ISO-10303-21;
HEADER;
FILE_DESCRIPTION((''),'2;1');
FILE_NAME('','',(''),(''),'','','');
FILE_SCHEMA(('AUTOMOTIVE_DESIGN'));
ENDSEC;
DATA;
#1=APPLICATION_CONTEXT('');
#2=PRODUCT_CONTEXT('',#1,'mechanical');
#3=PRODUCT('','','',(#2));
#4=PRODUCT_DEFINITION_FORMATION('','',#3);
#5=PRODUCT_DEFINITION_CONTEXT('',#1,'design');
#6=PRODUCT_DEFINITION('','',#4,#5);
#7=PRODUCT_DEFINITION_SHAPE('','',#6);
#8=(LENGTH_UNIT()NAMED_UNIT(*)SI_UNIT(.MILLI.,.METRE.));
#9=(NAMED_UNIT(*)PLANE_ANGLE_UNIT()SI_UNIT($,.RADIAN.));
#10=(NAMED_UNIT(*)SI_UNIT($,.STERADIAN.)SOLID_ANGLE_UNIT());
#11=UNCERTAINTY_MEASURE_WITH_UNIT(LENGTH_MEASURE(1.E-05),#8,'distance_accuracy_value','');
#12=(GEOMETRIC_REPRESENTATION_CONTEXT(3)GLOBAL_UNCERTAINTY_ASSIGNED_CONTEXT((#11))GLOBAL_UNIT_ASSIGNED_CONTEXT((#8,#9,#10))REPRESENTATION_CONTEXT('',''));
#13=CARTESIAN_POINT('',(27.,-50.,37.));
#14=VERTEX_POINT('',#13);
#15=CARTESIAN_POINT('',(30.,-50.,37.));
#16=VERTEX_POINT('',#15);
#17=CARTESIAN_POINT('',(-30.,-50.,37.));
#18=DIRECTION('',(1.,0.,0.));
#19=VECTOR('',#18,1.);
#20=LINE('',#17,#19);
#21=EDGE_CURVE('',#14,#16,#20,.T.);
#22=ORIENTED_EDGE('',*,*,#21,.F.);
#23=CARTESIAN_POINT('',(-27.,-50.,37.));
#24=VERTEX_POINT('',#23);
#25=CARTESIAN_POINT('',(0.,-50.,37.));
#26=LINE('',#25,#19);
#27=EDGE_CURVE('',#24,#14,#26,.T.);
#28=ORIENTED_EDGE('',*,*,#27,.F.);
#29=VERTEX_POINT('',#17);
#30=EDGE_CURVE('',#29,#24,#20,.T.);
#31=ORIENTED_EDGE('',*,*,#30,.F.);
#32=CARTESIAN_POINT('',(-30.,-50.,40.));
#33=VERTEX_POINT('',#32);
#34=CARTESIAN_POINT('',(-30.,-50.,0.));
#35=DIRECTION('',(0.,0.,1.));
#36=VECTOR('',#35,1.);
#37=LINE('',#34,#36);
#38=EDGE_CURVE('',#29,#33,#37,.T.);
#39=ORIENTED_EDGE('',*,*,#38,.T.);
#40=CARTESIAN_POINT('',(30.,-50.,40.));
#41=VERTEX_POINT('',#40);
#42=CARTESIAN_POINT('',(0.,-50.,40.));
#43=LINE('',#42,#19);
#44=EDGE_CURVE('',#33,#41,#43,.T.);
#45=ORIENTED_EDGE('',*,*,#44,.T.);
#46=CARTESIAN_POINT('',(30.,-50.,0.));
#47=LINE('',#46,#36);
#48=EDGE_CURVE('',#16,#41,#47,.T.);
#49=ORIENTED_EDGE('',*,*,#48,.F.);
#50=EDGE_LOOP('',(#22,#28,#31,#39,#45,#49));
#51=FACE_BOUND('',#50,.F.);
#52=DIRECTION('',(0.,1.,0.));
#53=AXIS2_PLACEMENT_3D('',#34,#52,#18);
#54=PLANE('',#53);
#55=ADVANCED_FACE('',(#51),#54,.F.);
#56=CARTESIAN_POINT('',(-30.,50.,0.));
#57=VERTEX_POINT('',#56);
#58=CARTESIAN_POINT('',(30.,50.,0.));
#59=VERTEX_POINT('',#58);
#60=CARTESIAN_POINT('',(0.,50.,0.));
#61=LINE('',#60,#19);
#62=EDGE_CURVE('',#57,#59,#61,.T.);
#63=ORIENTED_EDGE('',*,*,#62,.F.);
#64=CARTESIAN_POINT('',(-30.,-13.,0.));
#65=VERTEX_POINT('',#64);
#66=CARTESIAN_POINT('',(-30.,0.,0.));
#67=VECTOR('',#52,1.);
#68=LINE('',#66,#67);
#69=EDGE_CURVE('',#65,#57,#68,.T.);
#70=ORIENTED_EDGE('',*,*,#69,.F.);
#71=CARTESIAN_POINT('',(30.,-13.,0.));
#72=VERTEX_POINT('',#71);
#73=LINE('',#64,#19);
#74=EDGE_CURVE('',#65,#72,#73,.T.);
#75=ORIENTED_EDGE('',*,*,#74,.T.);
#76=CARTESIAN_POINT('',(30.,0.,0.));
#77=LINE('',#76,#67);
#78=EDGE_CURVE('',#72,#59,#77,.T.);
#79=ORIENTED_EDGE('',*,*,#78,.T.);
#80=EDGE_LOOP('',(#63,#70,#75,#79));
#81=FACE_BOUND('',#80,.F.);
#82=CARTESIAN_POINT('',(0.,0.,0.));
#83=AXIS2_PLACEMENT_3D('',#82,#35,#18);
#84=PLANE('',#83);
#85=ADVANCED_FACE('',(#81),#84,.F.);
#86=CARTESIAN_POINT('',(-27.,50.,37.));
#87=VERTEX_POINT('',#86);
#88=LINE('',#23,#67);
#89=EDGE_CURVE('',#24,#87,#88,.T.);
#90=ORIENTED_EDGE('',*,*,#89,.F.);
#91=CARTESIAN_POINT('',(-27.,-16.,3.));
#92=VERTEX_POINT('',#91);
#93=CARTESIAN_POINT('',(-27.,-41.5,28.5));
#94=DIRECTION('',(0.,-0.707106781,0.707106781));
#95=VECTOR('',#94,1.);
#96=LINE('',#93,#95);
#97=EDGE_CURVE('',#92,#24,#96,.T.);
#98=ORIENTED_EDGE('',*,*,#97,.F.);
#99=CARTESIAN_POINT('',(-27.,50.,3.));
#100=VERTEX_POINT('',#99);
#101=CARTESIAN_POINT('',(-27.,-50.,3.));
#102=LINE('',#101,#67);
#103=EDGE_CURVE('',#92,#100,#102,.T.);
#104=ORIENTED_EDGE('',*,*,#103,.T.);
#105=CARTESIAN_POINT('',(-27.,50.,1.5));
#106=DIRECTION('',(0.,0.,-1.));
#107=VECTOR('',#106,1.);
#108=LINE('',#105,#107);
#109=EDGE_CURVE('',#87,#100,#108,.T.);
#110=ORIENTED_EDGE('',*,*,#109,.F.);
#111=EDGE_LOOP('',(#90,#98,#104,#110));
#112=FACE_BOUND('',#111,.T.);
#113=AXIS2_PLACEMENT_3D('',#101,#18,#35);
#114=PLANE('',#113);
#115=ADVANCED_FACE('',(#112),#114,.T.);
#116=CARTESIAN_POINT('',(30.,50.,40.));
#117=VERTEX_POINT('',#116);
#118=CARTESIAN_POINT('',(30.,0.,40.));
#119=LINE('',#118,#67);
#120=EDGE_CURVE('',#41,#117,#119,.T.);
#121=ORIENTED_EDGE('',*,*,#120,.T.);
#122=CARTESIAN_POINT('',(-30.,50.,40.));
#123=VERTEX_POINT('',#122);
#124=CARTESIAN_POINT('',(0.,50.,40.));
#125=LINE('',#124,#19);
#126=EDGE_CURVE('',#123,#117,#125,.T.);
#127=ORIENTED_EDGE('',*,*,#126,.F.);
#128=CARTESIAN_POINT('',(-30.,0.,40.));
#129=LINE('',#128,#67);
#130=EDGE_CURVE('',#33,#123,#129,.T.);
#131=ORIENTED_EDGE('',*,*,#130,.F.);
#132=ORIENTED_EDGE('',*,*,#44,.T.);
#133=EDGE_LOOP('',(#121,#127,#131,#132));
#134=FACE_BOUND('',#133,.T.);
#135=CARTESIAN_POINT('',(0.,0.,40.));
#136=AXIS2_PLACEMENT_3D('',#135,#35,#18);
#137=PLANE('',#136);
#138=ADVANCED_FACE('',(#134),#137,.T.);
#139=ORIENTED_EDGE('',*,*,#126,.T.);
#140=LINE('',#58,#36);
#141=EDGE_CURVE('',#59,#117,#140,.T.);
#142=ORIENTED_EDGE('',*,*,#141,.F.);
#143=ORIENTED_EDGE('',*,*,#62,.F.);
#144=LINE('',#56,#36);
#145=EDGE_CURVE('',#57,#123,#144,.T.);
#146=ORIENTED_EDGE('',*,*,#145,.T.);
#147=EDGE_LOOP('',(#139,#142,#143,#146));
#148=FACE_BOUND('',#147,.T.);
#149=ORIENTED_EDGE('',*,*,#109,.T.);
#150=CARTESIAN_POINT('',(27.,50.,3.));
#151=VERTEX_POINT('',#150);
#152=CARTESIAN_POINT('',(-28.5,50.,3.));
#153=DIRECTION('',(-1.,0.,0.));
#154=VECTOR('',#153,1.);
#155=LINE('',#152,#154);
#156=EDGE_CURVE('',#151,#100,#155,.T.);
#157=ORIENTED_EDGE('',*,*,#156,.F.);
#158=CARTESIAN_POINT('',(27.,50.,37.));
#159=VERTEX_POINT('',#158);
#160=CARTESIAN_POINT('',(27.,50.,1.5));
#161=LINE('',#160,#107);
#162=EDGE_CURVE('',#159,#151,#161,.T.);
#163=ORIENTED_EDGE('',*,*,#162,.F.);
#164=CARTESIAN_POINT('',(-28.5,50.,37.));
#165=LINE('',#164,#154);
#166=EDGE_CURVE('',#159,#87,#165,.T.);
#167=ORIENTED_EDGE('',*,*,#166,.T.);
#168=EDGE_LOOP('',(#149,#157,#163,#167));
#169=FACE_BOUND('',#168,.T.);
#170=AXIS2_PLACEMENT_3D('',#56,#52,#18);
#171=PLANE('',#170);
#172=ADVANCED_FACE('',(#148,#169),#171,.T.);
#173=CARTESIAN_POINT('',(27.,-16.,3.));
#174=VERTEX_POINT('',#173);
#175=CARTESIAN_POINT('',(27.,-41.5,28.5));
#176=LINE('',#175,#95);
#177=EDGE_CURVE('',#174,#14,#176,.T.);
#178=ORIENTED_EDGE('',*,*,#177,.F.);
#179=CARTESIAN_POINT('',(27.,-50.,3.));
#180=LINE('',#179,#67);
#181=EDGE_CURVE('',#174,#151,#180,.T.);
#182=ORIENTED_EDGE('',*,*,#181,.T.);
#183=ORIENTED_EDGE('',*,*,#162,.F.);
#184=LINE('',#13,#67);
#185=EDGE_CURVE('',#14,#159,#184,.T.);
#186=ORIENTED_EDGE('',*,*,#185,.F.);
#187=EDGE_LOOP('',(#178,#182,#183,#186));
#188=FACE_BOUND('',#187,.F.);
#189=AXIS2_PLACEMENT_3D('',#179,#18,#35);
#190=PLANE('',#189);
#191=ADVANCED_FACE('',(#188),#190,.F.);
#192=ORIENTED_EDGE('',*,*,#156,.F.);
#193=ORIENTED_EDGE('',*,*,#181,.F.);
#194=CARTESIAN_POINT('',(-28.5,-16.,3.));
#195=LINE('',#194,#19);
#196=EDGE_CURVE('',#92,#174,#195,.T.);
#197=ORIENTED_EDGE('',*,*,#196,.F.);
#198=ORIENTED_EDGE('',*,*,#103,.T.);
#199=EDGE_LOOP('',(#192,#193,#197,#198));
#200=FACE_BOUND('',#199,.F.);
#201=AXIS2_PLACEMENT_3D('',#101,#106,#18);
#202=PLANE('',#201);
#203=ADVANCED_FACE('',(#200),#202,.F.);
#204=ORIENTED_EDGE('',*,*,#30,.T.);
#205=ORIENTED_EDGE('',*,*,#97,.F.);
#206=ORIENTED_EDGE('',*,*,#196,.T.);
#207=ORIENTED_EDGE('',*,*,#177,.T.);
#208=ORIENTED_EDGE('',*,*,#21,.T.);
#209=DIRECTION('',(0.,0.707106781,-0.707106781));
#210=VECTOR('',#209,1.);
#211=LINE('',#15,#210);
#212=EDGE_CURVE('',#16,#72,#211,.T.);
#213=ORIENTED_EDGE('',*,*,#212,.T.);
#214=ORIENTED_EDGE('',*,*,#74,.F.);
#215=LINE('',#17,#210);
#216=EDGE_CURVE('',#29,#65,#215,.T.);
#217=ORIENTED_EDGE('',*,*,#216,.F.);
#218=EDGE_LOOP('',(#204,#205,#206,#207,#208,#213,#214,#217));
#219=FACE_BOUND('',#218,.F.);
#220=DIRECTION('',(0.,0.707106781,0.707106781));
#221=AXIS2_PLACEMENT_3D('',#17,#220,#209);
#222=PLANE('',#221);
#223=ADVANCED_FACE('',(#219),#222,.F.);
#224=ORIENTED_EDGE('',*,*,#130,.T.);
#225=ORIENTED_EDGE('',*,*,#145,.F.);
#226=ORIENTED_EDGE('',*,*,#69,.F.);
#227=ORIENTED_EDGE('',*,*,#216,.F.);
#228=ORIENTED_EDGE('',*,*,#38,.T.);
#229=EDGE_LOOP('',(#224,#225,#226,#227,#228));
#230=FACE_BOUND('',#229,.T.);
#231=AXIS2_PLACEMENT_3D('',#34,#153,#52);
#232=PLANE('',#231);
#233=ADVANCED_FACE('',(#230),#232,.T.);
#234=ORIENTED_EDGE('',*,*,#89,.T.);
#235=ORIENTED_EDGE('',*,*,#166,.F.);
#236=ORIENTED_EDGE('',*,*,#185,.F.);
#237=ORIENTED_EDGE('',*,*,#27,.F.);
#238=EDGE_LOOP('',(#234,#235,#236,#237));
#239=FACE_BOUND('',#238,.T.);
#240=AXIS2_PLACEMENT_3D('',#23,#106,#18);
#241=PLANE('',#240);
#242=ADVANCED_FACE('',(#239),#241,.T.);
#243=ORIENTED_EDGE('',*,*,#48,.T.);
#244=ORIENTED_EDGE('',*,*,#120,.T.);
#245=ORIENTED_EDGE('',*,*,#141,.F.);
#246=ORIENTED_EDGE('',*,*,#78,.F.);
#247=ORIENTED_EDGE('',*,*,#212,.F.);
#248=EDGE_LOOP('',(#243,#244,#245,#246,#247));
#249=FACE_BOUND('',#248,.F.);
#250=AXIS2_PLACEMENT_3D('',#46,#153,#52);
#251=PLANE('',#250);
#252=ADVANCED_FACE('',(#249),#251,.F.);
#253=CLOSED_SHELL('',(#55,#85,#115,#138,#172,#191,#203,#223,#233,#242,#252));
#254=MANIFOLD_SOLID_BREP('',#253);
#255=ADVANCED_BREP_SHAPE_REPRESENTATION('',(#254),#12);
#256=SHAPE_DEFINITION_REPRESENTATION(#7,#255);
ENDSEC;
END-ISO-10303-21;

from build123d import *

# Parameters (mm, degrees)
F0_W     = 60
F0_H     = 100
F1_DEPTH = 40
F2_W     = 54
F2_H     = 34
F3_DEPTH = 141
F5_DEPTH = 60


with BuildPart() as f1:
    # F0 (on Top) → F1 (new body)
    with BuildSketch(Plane.XY):
        Rectangle(F0_W, F0_H)
    extrude(amount=F1_DEPTH)

    # F2 (on face) → F3 (cut)
    with BuildSketch(Plane.XZ.offset(50)):
        with Locations((0, 20)):
            Rectangle(F2_W, F2_H)
    extrude(amount=-F3_DEPTH, mode=Mode.SUBTRACT)

    # F4 (on face) → F5 (cut)
    with BuildSketch(Plane(origin=(-30, 0, 0), x_dir=(0, -1, 0), z_dir=(-1, 0, 0))):
        Polygon((50, 37), (13, 0), (50, 0), align=None)
    extrude(amount=-F5_DEPTH, mode=Mode.SUBTRACT)


solid = f1.part
